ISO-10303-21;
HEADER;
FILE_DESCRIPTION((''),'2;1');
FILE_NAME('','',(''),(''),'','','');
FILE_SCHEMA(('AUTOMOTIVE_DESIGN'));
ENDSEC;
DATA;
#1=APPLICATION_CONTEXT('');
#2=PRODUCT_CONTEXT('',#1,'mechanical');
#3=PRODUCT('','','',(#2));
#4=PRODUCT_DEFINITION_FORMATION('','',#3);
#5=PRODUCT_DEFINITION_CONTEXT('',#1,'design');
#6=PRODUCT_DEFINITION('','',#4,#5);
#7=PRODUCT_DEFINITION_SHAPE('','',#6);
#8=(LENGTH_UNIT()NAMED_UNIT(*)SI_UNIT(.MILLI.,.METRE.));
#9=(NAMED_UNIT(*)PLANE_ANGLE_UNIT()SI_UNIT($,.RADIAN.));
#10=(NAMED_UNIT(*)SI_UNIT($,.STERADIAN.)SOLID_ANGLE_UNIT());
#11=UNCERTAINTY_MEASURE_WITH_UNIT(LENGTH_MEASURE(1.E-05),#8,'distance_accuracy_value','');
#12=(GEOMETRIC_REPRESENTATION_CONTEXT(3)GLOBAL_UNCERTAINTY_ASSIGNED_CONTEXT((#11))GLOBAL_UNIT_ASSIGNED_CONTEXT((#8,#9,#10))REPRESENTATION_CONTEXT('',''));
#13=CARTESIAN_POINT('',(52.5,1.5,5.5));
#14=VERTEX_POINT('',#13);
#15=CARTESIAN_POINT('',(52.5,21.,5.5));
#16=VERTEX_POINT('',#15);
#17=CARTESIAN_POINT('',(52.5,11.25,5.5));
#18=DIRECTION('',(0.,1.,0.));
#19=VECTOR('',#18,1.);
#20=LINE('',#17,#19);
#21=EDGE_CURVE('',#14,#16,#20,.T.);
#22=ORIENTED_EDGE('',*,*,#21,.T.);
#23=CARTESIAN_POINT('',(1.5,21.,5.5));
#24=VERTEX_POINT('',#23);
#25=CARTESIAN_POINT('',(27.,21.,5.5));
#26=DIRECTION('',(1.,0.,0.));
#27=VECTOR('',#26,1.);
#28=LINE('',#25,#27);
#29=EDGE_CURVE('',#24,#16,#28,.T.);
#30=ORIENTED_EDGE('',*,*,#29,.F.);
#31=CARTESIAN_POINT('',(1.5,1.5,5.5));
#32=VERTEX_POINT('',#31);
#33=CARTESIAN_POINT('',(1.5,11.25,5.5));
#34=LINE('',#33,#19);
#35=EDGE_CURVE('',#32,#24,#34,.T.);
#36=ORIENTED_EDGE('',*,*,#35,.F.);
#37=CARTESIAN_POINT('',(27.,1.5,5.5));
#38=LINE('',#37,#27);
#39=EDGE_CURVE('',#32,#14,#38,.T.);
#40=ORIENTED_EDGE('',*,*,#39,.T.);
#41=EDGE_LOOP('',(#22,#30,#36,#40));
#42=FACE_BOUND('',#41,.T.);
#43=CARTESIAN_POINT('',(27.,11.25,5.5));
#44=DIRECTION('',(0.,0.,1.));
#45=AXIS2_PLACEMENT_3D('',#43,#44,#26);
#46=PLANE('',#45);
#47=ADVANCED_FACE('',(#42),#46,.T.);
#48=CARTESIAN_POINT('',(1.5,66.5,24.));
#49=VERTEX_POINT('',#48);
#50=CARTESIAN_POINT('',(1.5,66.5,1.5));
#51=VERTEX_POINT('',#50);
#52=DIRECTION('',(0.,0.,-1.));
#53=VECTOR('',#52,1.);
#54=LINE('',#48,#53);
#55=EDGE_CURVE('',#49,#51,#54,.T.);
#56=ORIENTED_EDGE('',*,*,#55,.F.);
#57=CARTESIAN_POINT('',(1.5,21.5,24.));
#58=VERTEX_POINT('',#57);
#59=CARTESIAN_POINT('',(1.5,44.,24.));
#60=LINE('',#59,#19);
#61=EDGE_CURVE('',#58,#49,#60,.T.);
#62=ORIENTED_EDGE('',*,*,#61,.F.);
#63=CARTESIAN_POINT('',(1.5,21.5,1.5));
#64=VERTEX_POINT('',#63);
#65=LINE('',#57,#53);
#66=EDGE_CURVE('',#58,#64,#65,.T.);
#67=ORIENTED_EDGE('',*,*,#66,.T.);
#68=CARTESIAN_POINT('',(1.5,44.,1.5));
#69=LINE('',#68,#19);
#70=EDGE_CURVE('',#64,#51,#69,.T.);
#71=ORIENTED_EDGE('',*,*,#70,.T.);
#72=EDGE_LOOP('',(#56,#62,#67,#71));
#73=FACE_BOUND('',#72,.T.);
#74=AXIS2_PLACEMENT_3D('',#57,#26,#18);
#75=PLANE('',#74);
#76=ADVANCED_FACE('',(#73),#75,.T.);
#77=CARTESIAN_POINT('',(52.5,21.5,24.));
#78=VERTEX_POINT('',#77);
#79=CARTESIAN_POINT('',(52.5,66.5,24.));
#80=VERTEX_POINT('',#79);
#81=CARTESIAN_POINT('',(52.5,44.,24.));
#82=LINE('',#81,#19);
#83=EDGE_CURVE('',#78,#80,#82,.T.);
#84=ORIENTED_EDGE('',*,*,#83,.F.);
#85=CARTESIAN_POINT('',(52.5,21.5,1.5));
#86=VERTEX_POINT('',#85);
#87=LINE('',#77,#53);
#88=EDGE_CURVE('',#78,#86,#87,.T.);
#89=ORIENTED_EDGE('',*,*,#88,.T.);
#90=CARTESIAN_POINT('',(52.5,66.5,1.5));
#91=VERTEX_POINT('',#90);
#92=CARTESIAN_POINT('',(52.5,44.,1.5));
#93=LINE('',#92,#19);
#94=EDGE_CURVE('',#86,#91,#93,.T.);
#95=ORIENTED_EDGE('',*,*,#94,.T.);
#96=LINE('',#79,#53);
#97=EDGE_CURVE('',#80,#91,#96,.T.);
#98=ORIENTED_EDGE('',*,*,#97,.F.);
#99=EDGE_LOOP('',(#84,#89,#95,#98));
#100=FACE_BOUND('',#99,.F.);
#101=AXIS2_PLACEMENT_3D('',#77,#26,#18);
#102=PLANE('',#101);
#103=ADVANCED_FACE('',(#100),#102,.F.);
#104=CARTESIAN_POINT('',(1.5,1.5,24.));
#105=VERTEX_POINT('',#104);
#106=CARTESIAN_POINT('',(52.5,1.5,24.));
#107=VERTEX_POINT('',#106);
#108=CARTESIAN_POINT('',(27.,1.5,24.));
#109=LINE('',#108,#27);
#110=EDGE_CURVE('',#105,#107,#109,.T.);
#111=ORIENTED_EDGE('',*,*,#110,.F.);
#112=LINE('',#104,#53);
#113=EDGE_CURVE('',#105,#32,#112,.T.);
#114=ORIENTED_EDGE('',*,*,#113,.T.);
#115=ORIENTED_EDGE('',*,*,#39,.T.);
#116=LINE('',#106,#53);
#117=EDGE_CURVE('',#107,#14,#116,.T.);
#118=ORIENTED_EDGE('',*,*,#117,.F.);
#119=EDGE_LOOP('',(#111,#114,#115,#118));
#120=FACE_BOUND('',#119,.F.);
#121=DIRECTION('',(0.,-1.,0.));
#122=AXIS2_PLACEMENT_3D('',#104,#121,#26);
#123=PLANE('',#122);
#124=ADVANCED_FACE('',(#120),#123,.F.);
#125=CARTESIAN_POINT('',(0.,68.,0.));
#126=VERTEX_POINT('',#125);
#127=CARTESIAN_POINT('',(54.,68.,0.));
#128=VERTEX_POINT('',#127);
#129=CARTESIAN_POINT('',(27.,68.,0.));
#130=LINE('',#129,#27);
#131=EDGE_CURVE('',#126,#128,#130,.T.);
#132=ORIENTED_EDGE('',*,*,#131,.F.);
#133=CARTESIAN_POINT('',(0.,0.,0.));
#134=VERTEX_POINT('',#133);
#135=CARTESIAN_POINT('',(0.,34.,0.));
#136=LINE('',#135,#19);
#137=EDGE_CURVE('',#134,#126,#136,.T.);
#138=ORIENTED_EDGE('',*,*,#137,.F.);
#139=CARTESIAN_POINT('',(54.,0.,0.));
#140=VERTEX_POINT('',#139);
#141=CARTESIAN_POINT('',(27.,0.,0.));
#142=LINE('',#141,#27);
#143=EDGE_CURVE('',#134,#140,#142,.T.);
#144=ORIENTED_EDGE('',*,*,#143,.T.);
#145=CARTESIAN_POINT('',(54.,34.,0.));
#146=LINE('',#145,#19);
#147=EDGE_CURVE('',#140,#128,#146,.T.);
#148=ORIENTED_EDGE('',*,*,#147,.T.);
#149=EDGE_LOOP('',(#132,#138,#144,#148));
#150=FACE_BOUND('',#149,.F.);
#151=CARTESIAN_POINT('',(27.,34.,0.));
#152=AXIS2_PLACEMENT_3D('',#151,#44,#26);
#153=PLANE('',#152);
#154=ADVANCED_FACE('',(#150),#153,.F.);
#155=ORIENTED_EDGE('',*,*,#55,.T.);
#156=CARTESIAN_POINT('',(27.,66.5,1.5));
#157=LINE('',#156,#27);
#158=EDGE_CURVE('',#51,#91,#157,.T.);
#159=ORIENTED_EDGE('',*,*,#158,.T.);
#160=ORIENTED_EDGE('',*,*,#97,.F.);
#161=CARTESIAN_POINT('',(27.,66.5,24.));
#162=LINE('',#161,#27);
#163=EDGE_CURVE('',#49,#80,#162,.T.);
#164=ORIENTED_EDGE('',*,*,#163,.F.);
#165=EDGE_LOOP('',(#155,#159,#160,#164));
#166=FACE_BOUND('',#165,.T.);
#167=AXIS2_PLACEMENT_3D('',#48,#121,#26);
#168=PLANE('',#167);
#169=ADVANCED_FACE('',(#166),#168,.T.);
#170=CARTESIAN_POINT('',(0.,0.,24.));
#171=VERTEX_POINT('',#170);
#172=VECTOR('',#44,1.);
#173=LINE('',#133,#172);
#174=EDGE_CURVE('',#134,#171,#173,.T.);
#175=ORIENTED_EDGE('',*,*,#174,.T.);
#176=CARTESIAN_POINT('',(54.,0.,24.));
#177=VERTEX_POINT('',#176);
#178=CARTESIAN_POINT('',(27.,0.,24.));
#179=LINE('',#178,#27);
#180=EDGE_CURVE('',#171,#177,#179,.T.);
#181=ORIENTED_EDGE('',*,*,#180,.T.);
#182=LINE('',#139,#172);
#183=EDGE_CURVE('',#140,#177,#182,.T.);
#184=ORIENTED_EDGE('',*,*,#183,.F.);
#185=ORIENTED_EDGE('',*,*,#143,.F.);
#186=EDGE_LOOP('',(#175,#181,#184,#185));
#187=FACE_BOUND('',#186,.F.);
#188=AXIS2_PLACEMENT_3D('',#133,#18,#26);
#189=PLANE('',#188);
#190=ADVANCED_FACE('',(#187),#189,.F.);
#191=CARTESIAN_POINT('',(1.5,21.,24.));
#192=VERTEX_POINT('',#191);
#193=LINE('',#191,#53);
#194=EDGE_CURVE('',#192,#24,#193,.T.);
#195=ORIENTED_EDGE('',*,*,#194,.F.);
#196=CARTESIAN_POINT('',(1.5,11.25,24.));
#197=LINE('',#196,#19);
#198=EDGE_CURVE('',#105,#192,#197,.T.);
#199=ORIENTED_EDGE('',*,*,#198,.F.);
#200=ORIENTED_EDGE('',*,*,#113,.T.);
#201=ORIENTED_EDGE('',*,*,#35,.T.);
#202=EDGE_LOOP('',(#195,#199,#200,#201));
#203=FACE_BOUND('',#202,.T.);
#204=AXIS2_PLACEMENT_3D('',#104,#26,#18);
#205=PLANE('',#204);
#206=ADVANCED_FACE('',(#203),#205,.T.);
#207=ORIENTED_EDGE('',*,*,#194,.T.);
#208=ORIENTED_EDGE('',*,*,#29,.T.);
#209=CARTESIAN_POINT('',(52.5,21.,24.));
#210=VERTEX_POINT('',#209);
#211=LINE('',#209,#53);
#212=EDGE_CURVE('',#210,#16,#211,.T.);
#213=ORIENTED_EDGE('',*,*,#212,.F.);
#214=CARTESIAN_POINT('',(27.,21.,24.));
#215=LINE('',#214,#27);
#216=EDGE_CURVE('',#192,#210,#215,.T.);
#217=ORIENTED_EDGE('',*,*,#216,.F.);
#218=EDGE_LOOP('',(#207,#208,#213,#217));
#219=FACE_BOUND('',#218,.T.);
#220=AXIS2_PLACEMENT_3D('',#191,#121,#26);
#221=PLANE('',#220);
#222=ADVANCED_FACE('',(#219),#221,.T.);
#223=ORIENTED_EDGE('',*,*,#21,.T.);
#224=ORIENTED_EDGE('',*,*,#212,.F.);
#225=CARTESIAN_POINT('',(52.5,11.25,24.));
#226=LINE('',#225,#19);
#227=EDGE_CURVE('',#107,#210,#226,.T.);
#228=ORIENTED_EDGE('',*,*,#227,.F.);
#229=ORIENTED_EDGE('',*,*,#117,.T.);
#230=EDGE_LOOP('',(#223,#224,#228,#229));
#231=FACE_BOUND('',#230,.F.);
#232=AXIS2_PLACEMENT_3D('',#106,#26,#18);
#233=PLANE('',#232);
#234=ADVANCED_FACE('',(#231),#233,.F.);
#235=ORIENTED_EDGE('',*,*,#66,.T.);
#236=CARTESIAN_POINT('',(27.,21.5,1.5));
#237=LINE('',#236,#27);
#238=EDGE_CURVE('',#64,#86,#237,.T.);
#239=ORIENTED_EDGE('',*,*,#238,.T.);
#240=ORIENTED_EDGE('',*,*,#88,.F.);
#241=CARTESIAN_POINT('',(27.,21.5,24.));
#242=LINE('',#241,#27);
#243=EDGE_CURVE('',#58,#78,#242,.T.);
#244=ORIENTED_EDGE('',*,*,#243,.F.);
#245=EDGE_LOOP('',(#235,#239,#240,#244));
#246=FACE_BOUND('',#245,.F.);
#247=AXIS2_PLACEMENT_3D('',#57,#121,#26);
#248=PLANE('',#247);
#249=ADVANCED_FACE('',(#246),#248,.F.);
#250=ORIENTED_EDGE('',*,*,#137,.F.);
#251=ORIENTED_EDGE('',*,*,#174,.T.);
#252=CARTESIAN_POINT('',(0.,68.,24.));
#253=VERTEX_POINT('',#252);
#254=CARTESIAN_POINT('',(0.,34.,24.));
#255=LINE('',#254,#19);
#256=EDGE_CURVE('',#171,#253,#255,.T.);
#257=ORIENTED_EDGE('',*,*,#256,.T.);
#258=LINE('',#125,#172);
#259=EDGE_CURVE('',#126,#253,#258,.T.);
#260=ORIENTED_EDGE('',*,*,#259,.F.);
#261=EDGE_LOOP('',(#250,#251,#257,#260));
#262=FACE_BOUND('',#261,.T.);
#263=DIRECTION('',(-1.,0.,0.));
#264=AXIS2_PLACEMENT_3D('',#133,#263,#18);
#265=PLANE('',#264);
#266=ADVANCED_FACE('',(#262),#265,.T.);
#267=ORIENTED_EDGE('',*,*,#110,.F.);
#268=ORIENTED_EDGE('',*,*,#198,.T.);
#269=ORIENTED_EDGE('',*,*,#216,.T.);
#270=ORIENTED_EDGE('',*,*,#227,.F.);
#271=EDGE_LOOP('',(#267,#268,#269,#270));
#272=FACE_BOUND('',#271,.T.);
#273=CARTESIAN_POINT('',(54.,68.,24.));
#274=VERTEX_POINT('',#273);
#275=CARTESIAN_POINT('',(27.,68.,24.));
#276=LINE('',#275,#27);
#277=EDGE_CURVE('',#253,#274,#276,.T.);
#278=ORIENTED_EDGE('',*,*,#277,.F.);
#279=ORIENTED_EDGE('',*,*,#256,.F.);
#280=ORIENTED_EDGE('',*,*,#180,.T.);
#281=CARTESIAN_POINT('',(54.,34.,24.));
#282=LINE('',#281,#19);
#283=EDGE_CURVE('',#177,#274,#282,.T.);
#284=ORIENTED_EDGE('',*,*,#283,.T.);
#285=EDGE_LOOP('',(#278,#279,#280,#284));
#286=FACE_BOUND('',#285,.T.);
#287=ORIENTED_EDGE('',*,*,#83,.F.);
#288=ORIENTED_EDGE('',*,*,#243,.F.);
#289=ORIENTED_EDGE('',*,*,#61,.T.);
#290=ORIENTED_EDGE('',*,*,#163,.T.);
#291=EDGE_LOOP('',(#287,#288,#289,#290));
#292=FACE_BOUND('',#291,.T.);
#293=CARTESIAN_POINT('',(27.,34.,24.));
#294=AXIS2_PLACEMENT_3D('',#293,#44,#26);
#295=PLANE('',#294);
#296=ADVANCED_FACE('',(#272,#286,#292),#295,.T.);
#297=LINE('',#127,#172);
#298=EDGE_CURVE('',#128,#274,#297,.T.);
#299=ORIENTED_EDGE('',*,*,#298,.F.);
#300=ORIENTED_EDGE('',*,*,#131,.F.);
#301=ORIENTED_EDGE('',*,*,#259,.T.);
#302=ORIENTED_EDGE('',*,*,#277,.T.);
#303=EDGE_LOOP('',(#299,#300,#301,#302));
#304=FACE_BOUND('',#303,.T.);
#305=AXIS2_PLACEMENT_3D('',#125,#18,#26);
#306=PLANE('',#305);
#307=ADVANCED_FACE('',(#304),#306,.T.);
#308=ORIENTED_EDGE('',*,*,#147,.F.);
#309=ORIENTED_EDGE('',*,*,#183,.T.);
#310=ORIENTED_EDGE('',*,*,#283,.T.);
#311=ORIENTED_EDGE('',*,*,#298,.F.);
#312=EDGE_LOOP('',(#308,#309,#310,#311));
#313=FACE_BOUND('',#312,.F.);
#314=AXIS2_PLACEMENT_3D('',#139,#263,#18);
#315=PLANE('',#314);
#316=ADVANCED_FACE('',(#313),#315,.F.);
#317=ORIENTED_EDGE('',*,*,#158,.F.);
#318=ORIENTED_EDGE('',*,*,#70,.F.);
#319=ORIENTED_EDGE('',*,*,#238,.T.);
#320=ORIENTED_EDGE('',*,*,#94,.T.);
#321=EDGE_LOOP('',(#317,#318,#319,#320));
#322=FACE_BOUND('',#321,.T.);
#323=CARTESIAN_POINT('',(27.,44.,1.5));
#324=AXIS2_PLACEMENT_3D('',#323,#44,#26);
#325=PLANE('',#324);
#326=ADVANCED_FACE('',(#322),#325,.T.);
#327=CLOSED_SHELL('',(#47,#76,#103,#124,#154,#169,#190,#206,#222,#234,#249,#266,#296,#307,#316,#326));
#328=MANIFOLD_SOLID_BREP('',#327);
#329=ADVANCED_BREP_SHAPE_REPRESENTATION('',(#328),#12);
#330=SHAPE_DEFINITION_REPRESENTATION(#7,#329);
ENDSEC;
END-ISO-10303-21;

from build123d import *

# Parameters (mm, degrees)
SKETCH_W        = 54
SKETCH_H        = 68
PAD_DEPTH       = 24
SKETCH001_W     = 51
SKETCH001_H     = 45
POCKET_DEPTH    = 22.5
SKETCH002_W     = 51
SKETCH002_H     = 19.5
POCKET001_DEPTH = 18.5


with BuildPart() as part:
    # Sketch → Pad (new body)
    with BuildSketch(Plane.XY):
        with Locations((27, 34)):
            Rectangle(SKETCH_W, SKETCH_H)
    extrude(amount=PAD_DEPTH)

    # Sketch001 (on Face6 of Pad) → Pocket (cut)
    with BuildSketch(Plane.XY.offset(24)):
        with Locations((27, 44)):
            Rectangle(SKETCH001_W, SKETCH001_H)
    extrude(amount=-POCKET_DEPTH, mode=Mode.SUBTRACT)

    # Sketch002 (on Face5 of Pocket) → Pocket001 (cut)
    with BuildSketch(Plane.XY.offset(24)):
        with Locations((27, 11.25)):
            Rectangle(SKETCH002_W, SKETCH002_H)
    extrude(amount=-POCKET001_DEPTH, mode=Mode.SUBTRACT)


solid = part.part
